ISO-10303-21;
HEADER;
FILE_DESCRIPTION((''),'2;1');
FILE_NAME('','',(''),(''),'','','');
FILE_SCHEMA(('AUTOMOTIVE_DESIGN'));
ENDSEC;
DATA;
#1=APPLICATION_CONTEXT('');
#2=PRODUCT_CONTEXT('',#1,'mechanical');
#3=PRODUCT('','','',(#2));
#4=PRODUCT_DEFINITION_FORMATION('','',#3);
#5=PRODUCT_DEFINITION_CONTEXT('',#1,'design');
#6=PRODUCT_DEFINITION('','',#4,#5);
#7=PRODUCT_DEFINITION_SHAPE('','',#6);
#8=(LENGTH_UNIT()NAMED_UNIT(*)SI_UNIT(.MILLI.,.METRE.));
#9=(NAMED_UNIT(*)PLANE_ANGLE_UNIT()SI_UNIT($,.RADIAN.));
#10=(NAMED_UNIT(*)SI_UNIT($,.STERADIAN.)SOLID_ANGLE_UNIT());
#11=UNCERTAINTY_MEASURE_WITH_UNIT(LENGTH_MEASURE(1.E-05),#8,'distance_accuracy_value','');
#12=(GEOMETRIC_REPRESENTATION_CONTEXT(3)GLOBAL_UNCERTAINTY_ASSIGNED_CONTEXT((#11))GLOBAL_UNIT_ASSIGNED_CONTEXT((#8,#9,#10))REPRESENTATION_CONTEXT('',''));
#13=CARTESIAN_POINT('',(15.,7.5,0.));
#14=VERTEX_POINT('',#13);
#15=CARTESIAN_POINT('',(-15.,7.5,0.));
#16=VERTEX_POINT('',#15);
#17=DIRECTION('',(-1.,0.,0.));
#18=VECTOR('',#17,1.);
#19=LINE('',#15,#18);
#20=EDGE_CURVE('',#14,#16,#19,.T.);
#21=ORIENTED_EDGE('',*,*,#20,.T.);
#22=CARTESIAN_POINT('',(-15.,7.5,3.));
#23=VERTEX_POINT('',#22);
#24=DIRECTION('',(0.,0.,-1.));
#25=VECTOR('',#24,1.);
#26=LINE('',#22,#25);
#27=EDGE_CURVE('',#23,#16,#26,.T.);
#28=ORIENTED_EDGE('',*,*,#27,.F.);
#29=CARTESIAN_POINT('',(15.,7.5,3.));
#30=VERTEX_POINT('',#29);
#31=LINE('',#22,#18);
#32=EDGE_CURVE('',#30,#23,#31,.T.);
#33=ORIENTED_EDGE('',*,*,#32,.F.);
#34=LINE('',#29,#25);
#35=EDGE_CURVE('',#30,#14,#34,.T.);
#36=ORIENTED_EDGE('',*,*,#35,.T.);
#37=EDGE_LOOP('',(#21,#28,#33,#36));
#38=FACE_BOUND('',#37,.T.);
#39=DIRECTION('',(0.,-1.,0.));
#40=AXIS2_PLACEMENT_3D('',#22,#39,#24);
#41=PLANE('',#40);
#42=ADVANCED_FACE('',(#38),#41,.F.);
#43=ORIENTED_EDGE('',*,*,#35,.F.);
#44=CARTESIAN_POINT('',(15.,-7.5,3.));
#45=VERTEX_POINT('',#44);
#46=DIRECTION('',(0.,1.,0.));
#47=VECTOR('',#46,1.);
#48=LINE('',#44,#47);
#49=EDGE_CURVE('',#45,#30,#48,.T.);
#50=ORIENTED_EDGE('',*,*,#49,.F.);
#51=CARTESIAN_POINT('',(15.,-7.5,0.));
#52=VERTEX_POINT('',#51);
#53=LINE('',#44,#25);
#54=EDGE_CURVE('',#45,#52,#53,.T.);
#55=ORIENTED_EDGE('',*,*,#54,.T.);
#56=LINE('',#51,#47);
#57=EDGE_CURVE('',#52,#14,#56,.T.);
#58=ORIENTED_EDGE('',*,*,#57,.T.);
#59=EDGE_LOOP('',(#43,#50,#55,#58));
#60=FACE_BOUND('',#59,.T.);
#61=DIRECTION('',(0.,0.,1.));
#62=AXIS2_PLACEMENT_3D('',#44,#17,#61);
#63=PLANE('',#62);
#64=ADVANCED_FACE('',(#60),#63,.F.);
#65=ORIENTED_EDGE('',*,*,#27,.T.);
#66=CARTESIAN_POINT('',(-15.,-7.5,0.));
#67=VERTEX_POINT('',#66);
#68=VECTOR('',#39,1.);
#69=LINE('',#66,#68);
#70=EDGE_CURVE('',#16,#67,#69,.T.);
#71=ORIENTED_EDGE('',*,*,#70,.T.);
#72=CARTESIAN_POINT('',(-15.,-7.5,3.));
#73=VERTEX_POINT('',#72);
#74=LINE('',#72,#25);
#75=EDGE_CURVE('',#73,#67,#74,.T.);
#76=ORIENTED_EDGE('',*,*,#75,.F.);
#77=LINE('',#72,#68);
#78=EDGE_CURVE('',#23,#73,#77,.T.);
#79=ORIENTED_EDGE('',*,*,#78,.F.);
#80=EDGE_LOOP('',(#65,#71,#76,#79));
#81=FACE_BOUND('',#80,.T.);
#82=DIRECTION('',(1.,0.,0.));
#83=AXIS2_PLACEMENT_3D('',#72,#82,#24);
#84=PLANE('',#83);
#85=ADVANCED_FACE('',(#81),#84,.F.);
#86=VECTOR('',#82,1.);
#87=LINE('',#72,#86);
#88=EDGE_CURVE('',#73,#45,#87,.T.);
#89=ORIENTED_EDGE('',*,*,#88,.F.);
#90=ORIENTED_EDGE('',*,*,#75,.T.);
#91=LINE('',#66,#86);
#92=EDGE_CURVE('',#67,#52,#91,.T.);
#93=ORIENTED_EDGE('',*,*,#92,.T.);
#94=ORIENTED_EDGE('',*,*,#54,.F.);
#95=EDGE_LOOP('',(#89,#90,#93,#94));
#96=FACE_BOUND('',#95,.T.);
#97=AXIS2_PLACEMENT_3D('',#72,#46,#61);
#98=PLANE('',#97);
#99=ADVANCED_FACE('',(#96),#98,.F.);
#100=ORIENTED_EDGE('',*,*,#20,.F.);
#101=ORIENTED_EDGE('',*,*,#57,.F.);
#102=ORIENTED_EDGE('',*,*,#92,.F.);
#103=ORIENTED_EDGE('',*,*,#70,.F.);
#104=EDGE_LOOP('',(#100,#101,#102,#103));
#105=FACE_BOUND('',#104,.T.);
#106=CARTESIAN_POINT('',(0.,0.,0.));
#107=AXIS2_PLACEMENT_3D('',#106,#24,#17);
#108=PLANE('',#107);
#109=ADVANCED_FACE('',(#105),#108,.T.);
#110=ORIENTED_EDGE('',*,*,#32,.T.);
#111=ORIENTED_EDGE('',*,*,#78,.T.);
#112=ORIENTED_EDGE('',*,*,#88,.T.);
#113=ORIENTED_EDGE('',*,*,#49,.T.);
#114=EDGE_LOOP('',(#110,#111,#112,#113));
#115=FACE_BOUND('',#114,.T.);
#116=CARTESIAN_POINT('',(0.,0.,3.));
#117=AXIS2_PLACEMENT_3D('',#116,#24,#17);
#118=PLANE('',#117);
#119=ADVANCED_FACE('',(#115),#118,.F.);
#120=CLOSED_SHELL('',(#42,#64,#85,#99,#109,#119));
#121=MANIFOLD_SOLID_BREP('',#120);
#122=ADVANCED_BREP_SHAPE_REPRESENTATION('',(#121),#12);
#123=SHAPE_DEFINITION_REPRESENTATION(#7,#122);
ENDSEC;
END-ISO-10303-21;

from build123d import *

# Parameters (mm, degrees)
SKETCH1_W           = 30
SKETCH1_H           = 15
BOSS_EXTRUDE1_DEPTH = 3


with BuildPart() as part:
    # Sketch1 → Boss-Extrude1 (new body)
    with BuildSketch(Plane.XY):
        Rectangle(SKETCH1_W, SKETCH1_H)
    extrude(amount=BOSS_EXTRUDE1_DEPTH)


solid = part.part
